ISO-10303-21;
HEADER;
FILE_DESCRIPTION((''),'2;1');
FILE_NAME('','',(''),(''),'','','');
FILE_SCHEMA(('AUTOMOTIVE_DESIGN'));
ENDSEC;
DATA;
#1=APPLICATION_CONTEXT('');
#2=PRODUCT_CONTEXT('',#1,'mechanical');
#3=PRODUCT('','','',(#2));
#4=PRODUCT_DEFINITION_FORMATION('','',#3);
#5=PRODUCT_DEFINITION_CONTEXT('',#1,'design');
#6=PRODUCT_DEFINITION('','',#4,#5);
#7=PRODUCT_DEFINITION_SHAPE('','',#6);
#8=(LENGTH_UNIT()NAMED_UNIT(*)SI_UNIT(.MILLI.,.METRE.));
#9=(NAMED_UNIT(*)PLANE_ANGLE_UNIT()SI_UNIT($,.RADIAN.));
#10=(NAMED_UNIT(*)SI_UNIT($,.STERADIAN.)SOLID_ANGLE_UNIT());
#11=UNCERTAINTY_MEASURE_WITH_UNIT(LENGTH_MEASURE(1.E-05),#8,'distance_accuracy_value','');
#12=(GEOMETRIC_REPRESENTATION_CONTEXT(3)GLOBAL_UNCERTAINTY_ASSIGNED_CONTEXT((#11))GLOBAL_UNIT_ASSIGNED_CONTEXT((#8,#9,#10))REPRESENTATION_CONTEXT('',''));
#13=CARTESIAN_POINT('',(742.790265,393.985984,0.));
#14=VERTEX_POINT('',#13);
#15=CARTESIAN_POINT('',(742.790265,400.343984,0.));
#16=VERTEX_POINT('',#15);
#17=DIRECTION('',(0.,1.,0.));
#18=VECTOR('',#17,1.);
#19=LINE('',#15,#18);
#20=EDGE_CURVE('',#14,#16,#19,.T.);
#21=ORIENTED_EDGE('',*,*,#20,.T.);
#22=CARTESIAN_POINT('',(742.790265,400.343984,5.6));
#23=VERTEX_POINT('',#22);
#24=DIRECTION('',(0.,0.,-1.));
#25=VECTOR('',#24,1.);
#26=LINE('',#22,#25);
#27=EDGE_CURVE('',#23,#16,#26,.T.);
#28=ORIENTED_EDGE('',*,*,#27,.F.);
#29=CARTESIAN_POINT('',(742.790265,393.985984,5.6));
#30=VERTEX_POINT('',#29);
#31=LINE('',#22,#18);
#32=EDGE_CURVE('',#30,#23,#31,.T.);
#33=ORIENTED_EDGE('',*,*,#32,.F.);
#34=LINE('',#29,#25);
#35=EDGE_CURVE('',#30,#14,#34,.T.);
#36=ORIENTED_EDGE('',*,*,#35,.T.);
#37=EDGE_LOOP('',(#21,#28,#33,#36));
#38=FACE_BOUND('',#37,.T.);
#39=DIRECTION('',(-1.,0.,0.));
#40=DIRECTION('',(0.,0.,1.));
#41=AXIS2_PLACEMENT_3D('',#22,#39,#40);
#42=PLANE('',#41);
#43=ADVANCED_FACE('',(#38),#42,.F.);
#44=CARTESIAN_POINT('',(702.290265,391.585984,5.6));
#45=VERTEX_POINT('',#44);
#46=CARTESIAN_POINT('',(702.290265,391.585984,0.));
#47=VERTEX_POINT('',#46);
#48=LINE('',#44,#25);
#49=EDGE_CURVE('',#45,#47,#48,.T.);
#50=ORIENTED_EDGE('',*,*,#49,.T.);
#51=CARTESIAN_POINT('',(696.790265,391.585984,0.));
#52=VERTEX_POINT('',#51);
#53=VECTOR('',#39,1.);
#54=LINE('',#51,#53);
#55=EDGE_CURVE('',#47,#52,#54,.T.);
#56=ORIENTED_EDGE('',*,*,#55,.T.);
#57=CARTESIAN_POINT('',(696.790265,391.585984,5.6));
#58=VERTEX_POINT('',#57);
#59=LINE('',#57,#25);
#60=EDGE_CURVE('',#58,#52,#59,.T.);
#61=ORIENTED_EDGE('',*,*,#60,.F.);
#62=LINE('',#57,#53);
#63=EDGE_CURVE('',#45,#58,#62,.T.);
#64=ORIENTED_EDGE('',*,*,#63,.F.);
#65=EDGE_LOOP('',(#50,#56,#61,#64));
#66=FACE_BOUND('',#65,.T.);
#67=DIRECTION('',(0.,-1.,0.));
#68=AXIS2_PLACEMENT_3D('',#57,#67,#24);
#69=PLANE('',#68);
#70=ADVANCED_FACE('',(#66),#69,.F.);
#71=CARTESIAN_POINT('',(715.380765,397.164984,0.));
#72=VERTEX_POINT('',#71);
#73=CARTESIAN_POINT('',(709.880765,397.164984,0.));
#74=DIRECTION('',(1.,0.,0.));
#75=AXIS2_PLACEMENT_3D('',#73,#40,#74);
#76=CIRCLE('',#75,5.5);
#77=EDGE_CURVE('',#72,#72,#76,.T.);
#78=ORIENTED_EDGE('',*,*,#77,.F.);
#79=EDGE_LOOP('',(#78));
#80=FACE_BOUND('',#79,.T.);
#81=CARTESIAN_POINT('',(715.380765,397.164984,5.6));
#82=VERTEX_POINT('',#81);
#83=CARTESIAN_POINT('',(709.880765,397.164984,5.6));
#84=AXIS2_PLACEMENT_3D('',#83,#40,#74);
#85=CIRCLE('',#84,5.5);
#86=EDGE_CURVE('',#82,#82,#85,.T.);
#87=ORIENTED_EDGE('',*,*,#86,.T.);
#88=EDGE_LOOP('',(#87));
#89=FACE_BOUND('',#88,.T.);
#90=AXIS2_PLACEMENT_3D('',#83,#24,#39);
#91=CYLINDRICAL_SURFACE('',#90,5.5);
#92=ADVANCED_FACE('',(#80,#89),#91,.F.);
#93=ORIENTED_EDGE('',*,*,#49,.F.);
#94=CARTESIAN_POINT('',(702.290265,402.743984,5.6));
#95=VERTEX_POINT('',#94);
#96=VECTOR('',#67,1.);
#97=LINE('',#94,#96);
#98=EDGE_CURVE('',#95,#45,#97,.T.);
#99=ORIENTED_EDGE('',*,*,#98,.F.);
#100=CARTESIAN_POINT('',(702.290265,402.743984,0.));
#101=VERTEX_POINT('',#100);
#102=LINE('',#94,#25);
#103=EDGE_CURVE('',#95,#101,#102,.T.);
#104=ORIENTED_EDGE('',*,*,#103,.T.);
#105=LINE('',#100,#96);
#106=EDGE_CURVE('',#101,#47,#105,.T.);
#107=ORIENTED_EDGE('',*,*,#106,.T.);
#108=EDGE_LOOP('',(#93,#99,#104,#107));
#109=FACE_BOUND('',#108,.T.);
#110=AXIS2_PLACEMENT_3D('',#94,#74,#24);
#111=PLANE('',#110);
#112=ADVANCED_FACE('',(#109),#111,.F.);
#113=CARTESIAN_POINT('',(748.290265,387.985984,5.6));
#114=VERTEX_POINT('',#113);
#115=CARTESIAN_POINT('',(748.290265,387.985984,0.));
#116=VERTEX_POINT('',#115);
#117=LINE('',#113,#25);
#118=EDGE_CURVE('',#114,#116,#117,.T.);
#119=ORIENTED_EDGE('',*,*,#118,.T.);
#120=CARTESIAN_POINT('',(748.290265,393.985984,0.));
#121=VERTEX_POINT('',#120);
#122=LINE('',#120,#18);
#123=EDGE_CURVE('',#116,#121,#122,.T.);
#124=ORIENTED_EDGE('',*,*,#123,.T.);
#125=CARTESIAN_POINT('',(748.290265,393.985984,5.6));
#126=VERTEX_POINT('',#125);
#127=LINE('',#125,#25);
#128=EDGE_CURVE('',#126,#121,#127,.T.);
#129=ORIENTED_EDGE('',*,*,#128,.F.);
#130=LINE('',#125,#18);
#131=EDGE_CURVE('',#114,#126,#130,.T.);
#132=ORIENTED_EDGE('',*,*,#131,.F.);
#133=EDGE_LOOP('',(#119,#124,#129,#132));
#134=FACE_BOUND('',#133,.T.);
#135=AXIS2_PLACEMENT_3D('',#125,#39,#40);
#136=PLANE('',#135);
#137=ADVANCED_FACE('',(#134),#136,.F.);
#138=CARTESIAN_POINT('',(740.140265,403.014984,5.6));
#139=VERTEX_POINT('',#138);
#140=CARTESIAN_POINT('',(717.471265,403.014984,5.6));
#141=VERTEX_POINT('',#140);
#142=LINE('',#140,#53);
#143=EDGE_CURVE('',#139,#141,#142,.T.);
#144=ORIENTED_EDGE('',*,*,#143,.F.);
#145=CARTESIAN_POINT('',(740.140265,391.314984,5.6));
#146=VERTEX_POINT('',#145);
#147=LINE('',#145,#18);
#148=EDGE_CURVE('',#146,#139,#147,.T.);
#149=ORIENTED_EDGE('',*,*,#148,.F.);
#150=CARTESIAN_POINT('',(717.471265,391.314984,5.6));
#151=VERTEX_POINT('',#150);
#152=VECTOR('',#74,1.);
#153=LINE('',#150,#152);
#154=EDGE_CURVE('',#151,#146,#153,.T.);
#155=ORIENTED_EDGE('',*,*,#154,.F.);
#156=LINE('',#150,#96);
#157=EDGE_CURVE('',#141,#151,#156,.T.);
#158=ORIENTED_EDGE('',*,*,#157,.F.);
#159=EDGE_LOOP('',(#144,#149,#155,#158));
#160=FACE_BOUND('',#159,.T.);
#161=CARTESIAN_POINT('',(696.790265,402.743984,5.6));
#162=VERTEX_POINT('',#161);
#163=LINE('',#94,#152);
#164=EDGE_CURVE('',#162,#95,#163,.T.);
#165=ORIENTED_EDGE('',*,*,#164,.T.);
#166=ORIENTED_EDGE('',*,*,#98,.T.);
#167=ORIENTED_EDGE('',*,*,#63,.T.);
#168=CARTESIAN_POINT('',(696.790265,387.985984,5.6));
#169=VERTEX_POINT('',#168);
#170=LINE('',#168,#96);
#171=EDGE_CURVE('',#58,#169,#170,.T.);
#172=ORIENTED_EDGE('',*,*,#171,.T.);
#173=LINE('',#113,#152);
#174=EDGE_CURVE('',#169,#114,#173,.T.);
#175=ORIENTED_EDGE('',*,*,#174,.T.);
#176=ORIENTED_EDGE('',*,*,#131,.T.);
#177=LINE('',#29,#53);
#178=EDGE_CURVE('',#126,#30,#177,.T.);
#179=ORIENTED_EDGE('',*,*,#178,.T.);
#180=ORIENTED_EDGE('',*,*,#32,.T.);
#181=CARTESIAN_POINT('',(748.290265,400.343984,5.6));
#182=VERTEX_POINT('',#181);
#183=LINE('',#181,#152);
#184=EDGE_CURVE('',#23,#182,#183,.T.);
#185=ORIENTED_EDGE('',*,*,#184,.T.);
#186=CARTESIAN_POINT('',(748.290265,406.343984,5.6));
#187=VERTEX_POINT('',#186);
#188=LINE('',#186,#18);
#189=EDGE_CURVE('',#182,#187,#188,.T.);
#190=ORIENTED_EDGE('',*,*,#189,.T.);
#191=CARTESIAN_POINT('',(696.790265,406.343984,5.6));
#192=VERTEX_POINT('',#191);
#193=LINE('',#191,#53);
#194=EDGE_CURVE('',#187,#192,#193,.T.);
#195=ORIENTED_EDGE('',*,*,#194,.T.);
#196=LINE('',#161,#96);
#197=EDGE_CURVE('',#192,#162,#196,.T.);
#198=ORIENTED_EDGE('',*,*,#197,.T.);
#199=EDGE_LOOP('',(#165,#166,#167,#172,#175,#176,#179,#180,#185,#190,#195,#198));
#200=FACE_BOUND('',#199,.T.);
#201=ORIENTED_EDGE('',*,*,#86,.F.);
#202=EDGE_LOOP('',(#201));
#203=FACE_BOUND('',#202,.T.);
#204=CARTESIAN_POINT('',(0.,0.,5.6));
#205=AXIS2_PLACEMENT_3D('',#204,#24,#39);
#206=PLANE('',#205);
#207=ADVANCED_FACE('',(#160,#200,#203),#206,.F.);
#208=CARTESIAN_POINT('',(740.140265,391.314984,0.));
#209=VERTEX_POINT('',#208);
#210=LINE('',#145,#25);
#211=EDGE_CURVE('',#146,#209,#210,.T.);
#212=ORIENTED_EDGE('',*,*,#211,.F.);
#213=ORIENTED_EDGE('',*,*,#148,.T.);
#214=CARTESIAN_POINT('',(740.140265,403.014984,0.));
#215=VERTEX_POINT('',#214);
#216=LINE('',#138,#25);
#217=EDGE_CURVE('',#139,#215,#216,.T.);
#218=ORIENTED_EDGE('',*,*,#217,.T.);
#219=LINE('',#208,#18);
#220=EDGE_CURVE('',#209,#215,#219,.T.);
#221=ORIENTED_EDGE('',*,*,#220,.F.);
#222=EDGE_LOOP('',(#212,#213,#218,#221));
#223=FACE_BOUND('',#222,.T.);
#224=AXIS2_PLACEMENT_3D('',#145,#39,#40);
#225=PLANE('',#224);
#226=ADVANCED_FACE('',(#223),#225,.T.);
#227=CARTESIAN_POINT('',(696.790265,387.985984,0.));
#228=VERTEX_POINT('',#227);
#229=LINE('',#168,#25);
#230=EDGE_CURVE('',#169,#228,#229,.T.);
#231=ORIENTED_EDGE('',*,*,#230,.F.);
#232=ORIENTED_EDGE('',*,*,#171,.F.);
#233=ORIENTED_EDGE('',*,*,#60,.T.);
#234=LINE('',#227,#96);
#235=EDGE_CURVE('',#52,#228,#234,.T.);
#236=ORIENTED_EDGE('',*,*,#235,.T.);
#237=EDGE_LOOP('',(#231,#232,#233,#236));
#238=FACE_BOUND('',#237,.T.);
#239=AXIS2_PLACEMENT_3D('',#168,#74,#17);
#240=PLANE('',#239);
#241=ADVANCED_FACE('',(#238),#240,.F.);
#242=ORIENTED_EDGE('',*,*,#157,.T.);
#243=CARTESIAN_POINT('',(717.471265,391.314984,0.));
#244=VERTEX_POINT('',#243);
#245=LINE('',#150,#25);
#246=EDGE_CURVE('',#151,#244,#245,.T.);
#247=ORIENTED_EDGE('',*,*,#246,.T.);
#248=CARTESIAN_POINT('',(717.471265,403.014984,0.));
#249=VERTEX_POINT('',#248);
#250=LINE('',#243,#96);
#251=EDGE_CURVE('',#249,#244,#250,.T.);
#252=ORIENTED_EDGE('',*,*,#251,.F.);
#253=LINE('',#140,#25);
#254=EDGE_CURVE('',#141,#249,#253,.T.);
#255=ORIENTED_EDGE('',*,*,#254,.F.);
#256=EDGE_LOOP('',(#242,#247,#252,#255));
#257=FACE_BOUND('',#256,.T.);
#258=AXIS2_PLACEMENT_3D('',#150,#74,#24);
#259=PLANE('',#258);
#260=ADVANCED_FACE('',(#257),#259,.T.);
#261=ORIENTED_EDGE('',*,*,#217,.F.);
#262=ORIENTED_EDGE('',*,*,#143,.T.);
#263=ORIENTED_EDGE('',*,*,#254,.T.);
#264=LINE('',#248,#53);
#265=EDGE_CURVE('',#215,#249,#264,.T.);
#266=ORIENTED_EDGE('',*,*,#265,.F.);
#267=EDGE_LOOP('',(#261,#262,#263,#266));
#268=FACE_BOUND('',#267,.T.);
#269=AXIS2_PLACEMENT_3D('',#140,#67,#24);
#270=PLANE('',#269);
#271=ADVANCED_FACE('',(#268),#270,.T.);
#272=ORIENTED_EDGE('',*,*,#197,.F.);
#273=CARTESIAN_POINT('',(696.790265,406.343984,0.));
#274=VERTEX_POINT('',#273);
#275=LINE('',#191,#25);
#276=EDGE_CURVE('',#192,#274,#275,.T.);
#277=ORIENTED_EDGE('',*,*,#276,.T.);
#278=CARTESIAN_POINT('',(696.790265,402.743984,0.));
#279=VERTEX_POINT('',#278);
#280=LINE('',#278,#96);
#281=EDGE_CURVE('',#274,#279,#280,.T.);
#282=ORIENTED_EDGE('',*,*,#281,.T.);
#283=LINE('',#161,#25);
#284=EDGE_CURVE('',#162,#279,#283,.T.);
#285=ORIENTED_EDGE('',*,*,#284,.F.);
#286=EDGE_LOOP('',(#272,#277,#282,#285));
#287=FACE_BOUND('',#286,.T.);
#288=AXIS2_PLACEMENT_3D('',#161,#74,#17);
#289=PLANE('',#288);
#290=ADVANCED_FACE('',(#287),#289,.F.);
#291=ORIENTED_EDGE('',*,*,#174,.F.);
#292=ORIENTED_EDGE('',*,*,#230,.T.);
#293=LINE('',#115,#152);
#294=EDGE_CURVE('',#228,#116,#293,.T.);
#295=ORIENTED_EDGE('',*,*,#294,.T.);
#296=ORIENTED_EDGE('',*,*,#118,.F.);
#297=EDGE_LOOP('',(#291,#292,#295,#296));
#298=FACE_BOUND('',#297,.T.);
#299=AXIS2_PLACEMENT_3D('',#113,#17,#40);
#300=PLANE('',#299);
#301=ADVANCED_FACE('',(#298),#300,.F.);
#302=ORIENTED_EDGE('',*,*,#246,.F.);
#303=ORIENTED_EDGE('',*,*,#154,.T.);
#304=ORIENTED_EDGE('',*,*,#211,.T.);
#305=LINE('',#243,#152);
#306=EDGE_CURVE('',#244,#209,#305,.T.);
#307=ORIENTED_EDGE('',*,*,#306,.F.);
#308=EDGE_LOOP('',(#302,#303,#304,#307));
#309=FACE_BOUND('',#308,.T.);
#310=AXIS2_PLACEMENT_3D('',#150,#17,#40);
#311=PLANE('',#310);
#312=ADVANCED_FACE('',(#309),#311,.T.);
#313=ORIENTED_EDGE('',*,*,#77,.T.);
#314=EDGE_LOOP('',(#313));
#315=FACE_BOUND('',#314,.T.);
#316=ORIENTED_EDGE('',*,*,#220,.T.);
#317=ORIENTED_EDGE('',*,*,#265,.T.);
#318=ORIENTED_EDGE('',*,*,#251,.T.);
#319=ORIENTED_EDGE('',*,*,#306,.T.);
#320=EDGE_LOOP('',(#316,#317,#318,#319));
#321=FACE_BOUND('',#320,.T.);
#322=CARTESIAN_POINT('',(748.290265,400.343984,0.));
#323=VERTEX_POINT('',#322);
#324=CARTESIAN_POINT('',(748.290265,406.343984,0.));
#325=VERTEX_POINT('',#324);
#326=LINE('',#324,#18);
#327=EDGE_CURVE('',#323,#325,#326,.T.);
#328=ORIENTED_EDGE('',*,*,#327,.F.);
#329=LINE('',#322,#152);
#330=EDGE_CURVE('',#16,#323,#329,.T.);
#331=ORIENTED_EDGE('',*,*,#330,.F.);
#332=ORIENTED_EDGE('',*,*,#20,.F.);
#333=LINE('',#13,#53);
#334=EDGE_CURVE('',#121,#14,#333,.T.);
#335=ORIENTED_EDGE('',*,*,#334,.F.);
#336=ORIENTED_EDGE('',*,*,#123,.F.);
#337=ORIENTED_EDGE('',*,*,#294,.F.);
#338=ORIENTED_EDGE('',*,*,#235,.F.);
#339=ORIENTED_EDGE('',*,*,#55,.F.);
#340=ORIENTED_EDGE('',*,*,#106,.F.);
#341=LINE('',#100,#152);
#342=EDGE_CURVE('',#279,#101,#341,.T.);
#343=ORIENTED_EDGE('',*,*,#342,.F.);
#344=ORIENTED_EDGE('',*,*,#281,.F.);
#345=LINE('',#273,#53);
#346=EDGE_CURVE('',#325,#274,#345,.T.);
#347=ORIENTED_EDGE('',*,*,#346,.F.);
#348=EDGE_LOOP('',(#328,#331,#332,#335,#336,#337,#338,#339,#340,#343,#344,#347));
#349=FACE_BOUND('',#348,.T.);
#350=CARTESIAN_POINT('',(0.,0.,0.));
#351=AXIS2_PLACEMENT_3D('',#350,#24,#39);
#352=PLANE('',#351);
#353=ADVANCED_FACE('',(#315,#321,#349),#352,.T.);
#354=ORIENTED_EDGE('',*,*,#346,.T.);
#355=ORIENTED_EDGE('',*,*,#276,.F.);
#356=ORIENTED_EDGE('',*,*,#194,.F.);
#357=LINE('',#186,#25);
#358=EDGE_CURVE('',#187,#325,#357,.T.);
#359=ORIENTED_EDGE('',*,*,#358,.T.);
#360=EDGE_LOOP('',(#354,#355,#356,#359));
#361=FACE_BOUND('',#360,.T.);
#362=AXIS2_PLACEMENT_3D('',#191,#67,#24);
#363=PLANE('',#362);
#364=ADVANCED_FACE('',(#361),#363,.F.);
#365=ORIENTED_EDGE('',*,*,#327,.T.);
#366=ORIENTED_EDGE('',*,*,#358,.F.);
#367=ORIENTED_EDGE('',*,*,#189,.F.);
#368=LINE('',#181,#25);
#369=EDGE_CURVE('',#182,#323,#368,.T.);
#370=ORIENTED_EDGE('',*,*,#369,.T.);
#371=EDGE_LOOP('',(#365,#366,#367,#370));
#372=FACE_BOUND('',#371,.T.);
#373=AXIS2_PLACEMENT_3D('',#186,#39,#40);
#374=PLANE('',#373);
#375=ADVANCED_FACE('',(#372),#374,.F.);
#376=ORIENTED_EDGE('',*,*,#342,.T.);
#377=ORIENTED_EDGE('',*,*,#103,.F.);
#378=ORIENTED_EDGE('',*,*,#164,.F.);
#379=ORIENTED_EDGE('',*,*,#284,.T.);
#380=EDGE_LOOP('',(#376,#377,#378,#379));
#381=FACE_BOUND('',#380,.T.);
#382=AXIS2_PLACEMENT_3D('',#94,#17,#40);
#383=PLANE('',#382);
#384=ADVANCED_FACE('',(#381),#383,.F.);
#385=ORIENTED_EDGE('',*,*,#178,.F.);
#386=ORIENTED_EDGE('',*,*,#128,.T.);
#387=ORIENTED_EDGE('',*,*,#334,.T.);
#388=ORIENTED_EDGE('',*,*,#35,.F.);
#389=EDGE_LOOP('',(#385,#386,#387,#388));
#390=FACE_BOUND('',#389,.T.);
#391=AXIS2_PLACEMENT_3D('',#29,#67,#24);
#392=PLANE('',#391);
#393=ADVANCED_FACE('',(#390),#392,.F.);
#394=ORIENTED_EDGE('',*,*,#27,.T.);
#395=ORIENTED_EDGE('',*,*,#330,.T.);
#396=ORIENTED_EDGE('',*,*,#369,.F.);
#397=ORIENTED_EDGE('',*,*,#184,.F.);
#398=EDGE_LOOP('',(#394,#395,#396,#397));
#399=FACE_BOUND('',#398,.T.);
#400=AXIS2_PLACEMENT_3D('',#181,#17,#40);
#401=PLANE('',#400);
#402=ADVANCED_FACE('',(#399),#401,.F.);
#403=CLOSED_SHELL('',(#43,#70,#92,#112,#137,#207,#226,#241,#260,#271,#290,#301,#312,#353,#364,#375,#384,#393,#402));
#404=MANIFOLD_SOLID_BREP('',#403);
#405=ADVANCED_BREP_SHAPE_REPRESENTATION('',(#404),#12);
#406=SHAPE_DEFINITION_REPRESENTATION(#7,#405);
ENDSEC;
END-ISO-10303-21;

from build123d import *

# Parameters (mm, degrees)
SKETCH1_R           = 5.5
SKETCH1_W           = 22.669
SKETCH1_H           = 11.7
BOSS_EXTRUDE1_DEPTH = 5.6


with BuildPart() as part:
    # Sketch1 → Boss-Extrude1 (new body)
    with BuildSketch(Plane.XY):
        Polygon((702.290264671, 402.743983564), (702.290264671, 391.585983564), (696.790264671, 391.585983564), (696.790264671, 387.985983564), (748.290264671, 387.985983564), (748.290264671, 393.985983564), (742.790264671, 393.985983564), (742.790264671, 400.343983564), (748.290264671, 400.343983564), (748.290264671, 406.343983564), (696.790264671, 406.343983564), (696.790264671, 402.743983564), align=None)
        with Locations((709.880764671, 397.164983564)):
            Circle(SKETCH1_R, mode=Mode.SUBTRACT)
        with Locations((728.805764671, 397.164983564)):
            Rectangle(SKETCH1_W, SKETCH1_H, mode=Mode.SUBTRACT)
    extrude(amount=BOSS_EXTRUDE1_DEPTH)


solid = part.part
